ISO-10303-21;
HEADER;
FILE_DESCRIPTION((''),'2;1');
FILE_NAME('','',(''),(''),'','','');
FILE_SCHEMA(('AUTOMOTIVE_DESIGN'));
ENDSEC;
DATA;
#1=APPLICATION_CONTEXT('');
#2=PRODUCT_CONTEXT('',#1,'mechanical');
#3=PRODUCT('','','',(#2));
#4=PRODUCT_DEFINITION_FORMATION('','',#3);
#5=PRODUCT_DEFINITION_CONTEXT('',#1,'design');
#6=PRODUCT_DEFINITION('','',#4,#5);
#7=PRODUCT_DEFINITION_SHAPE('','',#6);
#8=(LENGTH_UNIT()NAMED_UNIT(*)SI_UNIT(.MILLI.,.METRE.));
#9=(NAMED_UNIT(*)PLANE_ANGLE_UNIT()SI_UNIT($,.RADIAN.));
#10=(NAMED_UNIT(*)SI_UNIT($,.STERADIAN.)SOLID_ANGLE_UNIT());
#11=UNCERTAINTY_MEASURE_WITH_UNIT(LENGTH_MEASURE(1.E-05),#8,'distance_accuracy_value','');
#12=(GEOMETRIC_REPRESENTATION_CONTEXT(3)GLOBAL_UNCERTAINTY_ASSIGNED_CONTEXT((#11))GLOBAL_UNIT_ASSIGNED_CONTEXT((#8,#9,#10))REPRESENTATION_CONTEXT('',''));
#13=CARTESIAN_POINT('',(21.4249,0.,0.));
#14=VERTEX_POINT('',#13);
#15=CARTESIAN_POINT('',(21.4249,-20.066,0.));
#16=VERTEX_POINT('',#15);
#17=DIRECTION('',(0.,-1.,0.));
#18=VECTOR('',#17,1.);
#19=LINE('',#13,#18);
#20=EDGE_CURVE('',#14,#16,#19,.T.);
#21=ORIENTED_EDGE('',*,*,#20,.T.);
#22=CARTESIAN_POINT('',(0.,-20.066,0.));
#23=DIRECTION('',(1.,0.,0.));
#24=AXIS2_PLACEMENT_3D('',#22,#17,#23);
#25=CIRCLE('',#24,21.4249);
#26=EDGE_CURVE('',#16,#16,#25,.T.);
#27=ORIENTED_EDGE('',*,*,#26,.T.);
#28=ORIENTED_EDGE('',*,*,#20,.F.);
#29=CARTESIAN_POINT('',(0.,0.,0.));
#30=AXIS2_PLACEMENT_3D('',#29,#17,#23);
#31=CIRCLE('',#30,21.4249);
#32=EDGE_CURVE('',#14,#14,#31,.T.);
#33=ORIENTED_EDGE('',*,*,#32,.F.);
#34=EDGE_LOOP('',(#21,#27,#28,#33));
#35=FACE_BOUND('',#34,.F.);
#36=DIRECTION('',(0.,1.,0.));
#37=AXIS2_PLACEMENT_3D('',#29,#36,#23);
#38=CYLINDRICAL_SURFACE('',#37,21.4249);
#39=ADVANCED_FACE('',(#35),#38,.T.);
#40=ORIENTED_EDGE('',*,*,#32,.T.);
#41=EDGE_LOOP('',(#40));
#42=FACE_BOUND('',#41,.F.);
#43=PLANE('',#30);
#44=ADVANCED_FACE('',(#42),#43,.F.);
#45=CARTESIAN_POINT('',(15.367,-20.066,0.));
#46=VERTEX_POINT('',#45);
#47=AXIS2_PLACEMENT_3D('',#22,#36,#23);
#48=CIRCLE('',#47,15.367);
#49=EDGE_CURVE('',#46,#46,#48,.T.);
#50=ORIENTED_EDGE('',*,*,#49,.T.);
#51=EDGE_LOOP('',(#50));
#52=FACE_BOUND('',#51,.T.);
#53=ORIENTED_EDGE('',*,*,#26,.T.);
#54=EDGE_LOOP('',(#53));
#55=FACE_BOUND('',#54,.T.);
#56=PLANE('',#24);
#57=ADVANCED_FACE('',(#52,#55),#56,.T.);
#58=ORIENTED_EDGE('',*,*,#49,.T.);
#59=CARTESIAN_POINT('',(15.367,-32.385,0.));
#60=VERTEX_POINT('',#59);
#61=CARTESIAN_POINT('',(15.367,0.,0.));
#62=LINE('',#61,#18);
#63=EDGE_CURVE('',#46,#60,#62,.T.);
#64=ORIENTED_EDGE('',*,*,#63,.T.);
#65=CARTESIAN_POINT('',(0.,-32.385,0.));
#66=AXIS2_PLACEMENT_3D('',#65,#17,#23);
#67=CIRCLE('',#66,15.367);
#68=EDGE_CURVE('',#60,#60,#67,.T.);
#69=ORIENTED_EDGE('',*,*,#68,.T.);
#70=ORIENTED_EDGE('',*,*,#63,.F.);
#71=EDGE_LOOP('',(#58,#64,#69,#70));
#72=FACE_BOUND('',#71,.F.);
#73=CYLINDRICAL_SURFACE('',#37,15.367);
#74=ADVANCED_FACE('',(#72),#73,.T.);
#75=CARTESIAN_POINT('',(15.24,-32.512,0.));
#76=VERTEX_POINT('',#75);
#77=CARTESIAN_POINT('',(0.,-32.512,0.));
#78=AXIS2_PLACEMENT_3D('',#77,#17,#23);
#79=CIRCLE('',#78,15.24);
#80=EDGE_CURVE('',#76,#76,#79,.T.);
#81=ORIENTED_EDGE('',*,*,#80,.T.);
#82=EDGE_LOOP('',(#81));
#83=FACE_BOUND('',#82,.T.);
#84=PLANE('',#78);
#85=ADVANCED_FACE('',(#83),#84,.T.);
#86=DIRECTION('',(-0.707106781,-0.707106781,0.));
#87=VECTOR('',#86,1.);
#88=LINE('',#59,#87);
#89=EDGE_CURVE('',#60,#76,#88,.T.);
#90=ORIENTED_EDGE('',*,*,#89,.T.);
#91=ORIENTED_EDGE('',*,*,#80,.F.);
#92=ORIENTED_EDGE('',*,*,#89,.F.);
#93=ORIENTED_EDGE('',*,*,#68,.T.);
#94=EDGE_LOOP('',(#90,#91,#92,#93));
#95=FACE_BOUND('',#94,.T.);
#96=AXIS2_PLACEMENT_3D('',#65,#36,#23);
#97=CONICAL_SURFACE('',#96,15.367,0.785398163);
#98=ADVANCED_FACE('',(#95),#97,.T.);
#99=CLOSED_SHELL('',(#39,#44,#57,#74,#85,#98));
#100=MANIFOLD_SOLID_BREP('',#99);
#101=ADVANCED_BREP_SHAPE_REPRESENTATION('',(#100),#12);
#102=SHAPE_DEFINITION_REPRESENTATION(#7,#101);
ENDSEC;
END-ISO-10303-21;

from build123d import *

# Parameters (mm, degrees)
F0_R     = 21.4249
F0_R_2   = 15.367
F1_DEPTH = 20.066
F2_R     = 15.367
F3_DEPTH = 32.512
F4_SIZE2 = 0.127
F4_SIZE  = 0.127


with BuildPart() as f1:
    # F0 (on Front) → F1 (new body)
    with BuildSketch(Plane.XZ):
        Circle(F0_R)
        Circle(F0_R_2, mode=Mode.SUBTRACT)
        Circle(F0_R_2)
    extrude(amount=F1_DEPTH)

    # F2 (on Front) → F3 (join)
    with BuildSketch(Plane.XZ):
        Circle(F2_R)
    extrude(amount=F3_DEPTH)

    # F4
    f4_edges = [f1.edges().sort_by_distance(p)[0] for p in [
        (-15.367, -32.512, 0),
    ]]
    chamfer(f4_edges, length=F4_SIZE, length2=F4_SIZE2)


solid = f1.part
